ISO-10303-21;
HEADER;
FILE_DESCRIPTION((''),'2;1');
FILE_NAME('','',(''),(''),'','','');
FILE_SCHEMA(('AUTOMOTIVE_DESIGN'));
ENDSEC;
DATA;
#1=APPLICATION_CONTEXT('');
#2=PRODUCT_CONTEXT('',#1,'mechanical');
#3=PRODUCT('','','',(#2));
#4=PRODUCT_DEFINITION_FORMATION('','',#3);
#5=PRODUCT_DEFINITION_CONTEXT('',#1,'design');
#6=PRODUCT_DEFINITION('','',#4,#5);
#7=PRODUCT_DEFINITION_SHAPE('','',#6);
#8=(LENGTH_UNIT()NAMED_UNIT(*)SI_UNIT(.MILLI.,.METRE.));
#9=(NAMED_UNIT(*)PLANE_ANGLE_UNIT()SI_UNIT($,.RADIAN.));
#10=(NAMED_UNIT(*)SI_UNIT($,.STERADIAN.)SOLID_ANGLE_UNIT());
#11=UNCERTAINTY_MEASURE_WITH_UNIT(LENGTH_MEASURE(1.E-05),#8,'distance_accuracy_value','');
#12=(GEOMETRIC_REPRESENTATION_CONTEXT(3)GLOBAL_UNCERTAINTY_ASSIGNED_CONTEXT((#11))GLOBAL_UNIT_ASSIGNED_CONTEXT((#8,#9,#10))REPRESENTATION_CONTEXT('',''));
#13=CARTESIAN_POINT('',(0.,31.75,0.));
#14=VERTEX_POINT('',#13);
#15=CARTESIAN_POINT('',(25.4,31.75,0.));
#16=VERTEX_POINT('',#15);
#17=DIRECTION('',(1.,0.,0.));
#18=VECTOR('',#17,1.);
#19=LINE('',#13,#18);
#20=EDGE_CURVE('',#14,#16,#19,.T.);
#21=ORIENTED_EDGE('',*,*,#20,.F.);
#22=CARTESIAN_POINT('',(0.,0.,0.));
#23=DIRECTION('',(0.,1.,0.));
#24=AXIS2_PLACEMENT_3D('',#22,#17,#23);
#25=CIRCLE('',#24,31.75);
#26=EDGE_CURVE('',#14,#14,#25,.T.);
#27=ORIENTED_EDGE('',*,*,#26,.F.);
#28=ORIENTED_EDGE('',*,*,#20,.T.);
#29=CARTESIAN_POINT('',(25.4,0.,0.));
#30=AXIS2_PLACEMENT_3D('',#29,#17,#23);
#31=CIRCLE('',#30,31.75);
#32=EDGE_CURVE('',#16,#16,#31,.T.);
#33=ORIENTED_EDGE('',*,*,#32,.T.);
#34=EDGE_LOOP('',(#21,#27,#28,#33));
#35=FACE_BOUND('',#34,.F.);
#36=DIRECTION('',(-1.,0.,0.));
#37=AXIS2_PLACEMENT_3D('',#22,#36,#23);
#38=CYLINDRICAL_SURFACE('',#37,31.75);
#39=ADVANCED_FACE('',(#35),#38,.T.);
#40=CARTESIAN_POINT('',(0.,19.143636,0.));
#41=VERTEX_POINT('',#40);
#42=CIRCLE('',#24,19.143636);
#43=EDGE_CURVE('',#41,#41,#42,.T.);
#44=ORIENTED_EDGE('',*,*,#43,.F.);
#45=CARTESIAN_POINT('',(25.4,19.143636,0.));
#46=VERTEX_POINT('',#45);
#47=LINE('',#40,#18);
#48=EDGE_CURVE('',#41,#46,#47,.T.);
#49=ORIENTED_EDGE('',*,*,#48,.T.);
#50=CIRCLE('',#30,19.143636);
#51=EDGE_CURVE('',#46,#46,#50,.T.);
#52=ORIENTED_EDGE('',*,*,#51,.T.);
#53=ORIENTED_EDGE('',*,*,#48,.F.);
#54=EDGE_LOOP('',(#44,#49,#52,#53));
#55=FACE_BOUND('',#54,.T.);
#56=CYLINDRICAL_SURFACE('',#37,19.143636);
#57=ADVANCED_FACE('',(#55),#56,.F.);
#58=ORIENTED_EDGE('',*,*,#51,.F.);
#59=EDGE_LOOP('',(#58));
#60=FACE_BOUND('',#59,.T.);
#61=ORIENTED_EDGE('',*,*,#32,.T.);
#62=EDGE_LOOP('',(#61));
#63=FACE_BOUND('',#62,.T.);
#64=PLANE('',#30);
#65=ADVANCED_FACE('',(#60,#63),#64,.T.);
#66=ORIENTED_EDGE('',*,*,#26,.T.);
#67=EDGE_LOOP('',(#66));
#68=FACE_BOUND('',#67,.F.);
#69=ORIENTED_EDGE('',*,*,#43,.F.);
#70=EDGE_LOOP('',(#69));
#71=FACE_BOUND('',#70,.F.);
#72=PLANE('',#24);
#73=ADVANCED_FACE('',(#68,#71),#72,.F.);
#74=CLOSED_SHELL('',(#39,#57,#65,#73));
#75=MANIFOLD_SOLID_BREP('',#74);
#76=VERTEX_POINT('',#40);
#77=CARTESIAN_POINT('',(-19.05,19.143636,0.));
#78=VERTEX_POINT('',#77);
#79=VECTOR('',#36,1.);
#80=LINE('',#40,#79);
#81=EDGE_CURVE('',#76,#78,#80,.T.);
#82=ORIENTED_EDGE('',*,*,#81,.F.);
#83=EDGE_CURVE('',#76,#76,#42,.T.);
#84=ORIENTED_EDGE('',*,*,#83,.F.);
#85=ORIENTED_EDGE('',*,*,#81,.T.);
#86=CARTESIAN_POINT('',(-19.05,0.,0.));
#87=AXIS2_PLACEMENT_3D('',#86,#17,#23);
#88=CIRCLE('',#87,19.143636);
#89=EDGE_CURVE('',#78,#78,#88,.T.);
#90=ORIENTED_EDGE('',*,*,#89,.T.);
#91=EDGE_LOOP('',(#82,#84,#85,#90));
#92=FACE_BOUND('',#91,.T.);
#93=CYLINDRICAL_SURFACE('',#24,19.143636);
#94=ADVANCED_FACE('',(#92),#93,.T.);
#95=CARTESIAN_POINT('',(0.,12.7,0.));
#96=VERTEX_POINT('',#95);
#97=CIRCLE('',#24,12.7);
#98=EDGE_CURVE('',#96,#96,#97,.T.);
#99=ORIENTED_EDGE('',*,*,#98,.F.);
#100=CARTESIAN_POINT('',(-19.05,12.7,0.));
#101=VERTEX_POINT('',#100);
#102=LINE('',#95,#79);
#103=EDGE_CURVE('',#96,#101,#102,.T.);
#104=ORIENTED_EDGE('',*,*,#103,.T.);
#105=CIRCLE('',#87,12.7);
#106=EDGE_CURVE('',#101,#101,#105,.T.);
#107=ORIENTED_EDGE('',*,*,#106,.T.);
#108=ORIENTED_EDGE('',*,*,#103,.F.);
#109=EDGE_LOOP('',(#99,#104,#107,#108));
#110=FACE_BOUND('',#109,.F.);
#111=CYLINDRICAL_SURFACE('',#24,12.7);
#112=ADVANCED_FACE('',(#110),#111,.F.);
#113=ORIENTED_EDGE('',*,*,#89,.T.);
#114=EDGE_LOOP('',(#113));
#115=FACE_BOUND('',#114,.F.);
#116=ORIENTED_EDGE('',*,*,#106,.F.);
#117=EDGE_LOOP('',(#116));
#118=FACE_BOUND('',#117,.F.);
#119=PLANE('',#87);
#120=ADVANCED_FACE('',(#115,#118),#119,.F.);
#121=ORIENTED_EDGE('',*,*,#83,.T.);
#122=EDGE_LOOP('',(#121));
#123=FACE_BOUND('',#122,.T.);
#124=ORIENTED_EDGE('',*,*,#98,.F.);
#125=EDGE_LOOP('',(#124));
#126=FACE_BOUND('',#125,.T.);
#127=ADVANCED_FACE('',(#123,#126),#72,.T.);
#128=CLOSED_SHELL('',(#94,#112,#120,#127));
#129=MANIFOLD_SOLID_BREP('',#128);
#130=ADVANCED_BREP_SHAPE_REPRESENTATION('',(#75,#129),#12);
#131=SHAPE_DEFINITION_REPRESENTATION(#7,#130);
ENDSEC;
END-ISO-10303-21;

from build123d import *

# Parameters (mm, degrees)
F0_R     = 31.75
F0_R_2   = 19.143636
F1_DEPTH = 25.4
F0_R_3   = 12.7
F2_DEPTH = 19.05


with BuildPart() as f1:
    # F0 (on Right) → F1 (new body)
    with BuildSketch(Plane.YZ):
        Circle(F0_R)
        Circle(F0_R_2, mode=Mode.SUBTRACT)
    extrude(amount=F1_DEPTH)


with BuildPart() as f2:
    # F0 (on Right) → F2 (new body)
    with BuildSketch(Plane.YZ):
        Circle(F0_R_2)
        Circle(F0_R_3, mode=Mode.SUBTRACT)
    extrude(amount=-F2_DEPTH)


solid = Compound([f1.part, f2.part])
